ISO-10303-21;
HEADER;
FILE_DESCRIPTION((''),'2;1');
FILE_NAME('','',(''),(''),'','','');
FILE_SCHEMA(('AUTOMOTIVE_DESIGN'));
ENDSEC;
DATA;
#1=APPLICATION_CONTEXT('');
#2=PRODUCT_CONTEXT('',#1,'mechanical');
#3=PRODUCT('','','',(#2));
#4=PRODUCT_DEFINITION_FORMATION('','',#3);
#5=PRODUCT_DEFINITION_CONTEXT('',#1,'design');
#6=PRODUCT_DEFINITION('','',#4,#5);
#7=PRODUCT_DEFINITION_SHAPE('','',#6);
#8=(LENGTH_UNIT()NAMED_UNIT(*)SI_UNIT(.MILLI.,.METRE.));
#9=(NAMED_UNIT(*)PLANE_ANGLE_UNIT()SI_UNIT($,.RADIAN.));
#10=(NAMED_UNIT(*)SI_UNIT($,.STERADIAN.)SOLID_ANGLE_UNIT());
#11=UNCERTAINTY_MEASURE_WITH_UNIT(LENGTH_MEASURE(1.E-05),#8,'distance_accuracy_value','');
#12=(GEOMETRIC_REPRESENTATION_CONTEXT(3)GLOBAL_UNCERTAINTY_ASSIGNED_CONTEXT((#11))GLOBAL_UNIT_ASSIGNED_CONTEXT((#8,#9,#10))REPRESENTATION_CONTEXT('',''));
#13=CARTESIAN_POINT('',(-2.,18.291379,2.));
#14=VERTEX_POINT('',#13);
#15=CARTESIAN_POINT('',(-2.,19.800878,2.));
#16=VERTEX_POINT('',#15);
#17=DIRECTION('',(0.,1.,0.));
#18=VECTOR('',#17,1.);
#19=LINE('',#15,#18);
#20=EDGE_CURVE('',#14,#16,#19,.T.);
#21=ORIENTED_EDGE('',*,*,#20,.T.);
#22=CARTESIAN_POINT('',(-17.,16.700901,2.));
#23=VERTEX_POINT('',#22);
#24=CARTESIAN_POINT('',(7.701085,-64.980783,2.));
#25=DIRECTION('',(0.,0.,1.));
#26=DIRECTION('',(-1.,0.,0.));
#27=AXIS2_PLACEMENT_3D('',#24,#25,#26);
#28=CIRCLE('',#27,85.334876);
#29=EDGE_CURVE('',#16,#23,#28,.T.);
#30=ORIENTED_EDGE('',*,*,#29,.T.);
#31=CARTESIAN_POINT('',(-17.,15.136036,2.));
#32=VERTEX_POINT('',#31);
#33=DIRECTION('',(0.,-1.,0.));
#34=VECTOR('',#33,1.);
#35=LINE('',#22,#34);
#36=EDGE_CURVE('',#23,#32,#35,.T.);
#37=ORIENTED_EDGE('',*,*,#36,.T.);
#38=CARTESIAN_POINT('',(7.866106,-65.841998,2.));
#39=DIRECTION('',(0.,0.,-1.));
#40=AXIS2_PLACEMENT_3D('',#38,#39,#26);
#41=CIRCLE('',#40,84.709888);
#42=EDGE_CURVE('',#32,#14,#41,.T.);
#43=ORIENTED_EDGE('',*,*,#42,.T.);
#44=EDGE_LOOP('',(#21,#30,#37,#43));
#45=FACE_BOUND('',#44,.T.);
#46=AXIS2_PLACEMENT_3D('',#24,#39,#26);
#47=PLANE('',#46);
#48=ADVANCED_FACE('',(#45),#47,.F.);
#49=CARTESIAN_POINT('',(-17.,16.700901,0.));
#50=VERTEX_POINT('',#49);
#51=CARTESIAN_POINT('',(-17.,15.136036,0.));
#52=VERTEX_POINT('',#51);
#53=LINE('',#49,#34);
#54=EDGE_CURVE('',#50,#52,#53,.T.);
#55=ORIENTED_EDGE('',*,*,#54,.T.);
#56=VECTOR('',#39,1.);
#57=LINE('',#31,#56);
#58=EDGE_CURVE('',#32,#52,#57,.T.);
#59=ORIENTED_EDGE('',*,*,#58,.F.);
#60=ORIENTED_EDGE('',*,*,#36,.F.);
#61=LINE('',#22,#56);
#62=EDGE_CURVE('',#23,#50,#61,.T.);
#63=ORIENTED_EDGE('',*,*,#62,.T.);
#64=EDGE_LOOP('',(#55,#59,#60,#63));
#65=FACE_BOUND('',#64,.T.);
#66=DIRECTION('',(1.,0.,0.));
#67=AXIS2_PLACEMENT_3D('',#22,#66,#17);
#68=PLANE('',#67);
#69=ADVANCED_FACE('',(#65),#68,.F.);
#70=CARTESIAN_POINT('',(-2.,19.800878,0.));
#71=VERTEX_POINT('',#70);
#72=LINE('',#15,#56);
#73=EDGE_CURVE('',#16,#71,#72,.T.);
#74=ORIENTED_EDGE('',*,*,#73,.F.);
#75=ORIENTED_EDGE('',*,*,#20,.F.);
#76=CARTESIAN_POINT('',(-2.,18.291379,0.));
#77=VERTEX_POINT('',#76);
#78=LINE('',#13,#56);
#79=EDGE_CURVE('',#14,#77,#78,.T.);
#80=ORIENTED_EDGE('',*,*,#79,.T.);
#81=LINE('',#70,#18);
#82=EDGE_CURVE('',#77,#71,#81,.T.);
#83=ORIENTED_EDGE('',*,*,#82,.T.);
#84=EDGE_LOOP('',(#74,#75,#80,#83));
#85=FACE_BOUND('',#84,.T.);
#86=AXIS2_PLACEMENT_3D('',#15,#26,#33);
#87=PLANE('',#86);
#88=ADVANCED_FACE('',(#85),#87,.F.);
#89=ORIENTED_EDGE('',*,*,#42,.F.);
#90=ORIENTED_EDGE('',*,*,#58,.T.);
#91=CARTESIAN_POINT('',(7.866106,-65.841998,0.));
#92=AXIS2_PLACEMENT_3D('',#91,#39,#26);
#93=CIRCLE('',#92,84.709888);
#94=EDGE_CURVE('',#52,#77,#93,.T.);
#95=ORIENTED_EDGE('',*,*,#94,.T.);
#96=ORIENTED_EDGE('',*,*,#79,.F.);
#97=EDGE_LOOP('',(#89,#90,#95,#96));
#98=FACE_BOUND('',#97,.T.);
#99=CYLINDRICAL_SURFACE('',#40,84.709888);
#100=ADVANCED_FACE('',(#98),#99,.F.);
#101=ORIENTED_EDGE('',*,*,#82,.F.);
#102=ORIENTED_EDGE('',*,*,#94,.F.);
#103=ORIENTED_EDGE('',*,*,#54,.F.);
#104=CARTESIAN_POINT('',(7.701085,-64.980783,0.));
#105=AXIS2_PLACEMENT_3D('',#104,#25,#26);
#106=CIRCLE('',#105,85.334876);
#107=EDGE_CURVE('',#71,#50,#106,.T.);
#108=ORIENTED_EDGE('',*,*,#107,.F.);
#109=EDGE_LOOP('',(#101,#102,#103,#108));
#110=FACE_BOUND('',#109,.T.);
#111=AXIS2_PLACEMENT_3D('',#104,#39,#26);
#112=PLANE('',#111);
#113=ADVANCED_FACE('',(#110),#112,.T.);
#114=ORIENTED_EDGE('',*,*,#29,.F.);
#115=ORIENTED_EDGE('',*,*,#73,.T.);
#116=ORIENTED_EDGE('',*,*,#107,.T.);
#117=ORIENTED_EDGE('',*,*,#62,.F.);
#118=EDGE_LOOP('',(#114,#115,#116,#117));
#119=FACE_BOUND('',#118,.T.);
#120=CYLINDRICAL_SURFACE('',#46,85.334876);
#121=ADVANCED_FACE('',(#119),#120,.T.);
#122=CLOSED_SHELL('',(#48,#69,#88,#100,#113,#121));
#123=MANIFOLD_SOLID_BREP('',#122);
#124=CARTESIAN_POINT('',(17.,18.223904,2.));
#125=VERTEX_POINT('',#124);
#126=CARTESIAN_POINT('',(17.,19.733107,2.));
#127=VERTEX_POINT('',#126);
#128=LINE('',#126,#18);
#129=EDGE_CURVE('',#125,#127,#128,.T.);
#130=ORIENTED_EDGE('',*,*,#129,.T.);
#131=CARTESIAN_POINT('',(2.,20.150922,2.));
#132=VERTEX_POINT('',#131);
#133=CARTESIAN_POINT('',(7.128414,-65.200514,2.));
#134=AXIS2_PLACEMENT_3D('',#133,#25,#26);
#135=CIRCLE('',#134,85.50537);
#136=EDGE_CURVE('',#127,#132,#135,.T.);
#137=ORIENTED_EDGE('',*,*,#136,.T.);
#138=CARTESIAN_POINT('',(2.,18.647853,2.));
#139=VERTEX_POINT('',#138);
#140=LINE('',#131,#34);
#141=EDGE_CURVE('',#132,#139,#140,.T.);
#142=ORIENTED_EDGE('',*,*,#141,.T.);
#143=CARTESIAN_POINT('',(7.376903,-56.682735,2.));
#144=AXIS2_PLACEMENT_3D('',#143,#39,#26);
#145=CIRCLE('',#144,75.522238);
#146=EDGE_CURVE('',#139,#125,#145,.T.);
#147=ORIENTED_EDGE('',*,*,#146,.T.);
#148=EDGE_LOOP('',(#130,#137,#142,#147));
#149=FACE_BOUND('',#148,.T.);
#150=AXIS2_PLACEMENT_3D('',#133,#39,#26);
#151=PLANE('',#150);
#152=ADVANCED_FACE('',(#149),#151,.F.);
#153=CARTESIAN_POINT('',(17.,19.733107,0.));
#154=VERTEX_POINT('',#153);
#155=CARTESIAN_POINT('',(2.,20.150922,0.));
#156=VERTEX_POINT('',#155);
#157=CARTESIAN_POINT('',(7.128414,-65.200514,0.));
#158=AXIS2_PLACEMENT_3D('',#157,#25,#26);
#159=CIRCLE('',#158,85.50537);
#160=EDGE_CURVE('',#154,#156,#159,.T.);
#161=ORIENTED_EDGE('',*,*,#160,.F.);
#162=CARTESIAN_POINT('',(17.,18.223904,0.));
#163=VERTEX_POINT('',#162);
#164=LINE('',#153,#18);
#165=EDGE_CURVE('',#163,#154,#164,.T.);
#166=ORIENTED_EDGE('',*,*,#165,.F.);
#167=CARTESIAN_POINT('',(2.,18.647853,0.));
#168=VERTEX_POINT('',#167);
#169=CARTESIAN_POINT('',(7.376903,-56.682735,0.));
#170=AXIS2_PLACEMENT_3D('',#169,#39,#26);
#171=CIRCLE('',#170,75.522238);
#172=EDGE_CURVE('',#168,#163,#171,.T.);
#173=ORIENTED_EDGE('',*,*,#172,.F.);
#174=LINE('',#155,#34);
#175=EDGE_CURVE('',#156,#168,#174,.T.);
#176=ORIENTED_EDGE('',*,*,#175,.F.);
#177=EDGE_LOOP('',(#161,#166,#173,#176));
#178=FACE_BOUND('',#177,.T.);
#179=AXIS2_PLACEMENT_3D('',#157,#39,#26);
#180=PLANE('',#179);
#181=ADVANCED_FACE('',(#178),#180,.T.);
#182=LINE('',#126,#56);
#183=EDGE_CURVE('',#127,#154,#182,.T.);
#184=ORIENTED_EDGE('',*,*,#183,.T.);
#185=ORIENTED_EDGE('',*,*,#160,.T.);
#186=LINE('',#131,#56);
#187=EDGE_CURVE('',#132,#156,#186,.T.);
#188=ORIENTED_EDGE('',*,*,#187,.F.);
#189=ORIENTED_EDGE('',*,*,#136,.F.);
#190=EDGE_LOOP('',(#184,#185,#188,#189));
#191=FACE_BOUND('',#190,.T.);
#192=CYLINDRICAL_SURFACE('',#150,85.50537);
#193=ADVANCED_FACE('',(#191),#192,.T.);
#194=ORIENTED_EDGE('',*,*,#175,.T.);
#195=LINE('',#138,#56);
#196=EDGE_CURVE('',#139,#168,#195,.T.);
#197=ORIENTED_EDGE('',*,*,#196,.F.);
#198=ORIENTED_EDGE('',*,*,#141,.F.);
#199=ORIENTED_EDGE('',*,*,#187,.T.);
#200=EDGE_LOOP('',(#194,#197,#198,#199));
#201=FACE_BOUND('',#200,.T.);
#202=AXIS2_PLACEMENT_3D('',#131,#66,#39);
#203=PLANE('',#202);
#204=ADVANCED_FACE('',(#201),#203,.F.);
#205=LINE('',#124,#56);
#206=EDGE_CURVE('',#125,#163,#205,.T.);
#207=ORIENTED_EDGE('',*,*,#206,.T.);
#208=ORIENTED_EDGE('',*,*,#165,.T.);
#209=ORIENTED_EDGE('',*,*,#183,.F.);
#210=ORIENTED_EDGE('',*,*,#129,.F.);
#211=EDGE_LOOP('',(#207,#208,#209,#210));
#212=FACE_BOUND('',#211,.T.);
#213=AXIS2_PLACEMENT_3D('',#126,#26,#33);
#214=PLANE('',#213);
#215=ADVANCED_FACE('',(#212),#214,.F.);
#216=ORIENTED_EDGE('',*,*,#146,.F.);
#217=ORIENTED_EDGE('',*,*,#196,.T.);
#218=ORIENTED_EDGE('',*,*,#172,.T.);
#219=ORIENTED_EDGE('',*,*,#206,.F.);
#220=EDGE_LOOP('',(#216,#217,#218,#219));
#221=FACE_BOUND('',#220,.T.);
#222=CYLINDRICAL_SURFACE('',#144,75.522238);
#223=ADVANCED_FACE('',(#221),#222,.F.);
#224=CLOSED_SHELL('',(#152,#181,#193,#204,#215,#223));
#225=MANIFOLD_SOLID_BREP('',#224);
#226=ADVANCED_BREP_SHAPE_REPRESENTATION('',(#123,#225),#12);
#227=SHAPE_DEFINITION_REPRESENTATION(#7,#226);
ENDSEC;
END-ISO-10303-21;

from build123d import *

# Parameters (mm, degrees)
BOSS_EXTRUDE1_DEPTH   = 2
BOSS_EXTRUDE1_2_DEPTH = 2


with BuildPart() as part:
    # Sketch2 → Boss-Extrude1 (new body)
    with BuildSketch(Plane.XY):
        with BuildLine():
            Line((-17, 16.700901097), (-17, 15.136036027))
            ThreePointArc((-17, 15.136036027), (-9.571516699, 17.053686668), (-2, 18.291379286))
            Line((-2, 18.291379286), (-2, 19.800878213))
            ThreePointArc((-2, 19.800878213), (-9.56969349, 18.58811871), (-17, 16.700901097))
        make_face()
    extrude(amount=BOSS_EXTRUDE1_DEPTH)


with BuildPart() as body_2:
    # Sketch2 → Boss-Extrude1 2 (new body)
    with BuildSketch(Plane.XY):
        with BuildLine():
            Line((17, 19.733107497), (17, 18.223903816))
            ThreePointArc((17, 18.223903816), (9.510555747, 18.809357716), (2, 18.647852762))
            Line((2, 18.647852762), (2, 20.15092203))
            ThreePointArc((2, 20.15092203), (9.509183289, 20.271704903), (17, 19.733107497))
        make_face()
    extrude(amount=BOSS_EXTRUDE1_2_DEPTH)


solid = Compound([part.part, body_2.part])
